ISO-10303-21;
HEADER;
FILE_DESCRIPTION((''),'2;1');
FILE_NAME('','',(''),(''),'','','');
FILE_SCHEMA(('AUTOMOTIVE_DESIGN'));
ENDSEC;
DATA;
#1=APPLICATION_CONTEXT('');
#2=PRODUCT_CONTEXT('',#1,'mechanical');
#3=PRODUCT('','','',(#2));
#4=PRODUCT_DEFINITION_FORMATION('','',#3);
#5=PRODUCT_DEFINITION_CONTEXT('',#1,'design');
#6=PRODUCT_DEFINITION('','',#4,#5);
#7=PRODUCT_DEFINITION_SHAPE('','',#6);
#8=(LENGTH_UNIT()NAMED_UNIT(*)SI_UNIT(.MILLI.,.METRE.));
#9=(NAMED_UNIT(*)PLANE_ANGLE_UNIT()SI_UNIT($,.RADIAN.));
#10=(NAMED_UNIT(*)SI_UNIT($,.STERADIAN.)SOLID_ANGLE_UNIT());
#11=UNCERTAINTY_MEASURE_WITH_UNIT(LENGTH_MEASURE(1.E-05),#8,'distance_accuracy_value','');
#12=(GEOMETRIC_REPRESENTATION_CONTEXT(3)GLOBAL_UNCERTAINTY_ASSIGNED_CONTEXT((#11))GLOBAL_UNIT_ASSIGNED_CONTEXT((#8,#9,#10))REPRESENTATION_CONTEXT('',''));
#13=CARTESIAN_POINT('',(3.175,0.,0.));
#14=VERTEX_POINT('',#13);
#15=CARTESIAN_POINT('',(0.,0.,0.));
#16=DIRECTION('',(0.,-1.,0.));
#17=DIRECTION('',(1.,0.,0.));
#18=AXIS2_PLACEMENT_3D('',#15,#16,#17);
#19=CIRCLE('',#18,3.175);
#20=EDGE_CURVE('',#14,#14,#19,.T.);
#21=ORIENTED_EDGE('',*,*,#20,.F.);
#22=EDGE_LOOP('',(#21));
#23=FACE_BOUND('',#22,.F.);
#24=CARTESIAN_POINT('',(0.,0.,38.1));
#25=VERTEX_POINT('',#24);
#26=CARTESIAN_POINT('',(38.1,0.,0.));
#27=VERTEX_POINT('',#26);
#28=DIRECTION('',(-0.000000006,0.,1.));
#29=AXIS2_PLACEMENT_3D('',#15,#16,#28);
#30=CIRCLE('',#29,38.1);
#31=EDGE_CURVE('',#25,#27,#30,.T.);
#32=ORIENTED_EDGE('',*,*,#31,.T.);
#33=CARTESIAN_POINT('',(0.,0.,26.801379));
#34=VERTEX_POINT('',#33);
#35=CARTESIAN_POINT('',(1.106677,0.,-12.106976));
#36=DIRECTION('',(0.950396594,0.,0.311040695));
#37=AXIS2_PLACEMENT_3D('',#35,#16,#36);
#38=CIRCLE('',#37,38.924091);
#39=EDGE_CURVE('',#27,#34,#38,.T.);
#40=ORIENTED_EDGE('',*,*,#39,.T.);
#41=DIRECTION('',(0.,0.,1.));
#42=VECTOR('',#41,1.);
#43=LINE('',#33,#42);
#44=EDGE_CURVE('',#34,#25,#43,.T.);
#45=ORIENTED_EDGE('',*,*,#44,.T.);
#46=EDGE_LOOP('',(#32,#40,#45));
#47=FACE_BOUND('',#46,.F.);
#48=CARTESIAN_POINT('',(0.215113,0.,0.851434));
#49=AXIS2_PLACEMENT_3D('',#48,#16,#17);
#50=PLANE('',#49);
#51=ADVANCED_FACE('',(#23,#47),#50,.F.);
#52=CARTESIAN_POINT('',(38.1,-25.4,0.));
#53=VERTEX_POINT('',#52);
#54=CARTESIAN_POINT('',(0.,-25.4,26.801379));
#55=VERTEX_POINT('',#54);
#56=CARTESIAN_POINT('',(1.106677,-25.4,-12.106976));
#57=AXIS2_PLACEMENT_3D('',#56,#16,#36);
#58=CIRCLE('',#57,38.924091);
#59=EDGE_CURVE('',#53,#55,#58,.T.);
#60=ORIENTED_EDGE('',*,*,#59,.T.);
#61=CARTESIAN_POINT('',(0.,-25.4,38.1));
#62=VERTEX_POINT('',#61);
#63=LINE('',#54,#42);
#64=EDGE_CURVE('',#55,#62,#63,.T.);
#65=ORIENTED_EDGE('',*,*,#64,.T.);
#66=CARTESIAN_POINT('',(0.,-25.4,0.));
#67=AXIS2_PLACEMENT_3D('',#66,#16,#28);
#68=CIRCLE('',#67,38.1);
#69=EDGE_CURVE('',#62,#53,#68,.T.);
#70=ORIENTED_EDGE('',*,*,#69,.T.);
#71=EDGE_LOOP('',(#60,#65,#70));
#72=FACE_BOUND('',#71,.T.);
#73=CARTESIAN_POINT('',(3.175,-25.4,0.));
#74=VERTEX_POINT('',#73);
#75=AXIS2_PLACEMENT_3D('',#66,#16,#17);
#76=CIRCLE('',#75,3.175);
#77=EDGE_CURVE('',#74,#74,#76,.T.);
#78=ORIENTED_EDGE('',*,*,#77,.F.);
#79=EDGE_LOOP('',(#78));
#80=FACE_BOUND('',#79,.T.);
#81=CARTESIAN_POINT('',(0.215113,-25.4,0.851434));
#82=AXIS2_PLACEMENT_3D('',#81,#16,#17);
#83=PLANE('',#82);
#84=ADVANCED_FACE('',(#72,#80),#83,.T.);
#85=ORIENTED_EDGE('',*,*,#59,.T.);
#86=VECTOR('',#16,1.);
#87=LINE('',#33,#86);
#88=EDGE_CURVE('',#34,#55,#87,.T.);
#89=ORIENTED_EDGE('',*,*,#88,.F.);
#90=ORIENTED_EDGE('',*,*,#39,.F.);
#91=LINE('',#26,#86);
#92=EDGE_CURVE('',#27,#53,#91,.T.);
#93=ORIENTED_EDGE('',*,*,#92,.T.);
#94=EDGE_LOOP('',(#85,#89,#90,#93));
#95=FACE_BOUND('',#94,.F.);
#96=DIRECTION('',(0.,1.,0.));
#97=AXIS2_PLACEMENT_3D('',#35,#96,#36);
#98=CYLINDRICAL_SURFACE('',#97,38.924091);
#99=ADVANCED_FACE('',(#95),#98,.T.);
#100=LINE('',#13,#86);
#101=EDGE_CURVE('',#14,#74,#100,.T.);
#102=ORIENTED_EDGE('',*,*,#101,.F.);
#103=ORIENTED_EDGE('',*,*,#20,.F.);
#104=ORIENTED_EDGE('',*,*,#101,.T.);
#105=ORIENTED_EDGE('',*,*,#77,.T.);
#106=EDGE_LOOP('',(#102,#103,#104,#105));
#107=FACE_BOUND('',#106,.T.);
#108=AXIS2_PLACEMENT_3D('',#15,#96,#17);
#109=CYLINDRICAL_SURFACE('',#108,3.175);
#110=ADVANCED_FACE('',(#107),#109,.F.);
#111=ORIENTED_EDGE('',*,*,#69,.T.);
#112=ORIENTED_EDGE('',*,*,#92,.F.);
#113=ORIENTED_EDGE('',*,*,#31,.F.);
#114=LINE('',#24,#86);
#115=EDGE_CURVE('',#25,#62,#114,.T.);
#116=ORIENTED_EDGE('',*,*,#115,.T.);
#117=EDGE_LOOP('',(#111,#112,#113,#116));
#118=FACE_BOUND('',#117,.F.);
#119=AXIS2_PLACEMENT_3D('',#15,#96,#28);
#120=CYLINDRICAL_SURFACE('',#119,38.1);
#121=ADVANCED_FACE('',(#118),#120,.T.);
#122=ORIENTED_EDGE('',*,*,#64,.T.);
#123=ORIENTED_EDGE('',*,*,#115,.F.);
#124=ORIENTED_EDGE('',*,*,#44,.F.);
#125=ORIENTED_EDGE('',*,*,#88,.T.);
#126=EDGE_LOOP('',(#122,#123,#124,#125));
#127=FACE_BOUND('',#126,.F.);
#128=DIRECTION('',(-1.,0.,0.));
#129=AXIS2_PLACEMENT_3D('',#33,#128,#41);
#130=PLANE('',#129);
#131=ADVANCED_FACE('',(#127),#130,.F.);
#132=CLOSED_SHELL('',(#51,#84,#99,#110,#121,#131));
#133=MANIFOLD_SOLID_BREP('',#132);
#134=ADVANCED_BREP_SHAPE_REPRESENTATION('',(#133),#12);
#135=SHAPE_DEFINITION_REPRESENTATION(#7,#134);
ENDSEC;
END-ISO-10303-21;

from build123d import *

# Parameters (mm, degrees)
F0_R     = 3.175
F1_DEPTH = 25.4


with BuildPart() as f1:
    # F0 (on Front) → F1 (new body)
    with BuildSketch(Plane.XZ):
        with BuildLine():
            Line((0, 26.801379), (0, 38.1))
            ThreePointArc((0, 38.1), (-26.940768, -26.940768), (38.1, 0))
            ThreePointArc((38.1, 0), (23.501795, 19.729222), (0, 26.801379))
        make_face()
        Circle(F0_R, mode=Mode.SUBTRACT)
    extrude(amount=F1_DEPTH)


solid = f1.part
